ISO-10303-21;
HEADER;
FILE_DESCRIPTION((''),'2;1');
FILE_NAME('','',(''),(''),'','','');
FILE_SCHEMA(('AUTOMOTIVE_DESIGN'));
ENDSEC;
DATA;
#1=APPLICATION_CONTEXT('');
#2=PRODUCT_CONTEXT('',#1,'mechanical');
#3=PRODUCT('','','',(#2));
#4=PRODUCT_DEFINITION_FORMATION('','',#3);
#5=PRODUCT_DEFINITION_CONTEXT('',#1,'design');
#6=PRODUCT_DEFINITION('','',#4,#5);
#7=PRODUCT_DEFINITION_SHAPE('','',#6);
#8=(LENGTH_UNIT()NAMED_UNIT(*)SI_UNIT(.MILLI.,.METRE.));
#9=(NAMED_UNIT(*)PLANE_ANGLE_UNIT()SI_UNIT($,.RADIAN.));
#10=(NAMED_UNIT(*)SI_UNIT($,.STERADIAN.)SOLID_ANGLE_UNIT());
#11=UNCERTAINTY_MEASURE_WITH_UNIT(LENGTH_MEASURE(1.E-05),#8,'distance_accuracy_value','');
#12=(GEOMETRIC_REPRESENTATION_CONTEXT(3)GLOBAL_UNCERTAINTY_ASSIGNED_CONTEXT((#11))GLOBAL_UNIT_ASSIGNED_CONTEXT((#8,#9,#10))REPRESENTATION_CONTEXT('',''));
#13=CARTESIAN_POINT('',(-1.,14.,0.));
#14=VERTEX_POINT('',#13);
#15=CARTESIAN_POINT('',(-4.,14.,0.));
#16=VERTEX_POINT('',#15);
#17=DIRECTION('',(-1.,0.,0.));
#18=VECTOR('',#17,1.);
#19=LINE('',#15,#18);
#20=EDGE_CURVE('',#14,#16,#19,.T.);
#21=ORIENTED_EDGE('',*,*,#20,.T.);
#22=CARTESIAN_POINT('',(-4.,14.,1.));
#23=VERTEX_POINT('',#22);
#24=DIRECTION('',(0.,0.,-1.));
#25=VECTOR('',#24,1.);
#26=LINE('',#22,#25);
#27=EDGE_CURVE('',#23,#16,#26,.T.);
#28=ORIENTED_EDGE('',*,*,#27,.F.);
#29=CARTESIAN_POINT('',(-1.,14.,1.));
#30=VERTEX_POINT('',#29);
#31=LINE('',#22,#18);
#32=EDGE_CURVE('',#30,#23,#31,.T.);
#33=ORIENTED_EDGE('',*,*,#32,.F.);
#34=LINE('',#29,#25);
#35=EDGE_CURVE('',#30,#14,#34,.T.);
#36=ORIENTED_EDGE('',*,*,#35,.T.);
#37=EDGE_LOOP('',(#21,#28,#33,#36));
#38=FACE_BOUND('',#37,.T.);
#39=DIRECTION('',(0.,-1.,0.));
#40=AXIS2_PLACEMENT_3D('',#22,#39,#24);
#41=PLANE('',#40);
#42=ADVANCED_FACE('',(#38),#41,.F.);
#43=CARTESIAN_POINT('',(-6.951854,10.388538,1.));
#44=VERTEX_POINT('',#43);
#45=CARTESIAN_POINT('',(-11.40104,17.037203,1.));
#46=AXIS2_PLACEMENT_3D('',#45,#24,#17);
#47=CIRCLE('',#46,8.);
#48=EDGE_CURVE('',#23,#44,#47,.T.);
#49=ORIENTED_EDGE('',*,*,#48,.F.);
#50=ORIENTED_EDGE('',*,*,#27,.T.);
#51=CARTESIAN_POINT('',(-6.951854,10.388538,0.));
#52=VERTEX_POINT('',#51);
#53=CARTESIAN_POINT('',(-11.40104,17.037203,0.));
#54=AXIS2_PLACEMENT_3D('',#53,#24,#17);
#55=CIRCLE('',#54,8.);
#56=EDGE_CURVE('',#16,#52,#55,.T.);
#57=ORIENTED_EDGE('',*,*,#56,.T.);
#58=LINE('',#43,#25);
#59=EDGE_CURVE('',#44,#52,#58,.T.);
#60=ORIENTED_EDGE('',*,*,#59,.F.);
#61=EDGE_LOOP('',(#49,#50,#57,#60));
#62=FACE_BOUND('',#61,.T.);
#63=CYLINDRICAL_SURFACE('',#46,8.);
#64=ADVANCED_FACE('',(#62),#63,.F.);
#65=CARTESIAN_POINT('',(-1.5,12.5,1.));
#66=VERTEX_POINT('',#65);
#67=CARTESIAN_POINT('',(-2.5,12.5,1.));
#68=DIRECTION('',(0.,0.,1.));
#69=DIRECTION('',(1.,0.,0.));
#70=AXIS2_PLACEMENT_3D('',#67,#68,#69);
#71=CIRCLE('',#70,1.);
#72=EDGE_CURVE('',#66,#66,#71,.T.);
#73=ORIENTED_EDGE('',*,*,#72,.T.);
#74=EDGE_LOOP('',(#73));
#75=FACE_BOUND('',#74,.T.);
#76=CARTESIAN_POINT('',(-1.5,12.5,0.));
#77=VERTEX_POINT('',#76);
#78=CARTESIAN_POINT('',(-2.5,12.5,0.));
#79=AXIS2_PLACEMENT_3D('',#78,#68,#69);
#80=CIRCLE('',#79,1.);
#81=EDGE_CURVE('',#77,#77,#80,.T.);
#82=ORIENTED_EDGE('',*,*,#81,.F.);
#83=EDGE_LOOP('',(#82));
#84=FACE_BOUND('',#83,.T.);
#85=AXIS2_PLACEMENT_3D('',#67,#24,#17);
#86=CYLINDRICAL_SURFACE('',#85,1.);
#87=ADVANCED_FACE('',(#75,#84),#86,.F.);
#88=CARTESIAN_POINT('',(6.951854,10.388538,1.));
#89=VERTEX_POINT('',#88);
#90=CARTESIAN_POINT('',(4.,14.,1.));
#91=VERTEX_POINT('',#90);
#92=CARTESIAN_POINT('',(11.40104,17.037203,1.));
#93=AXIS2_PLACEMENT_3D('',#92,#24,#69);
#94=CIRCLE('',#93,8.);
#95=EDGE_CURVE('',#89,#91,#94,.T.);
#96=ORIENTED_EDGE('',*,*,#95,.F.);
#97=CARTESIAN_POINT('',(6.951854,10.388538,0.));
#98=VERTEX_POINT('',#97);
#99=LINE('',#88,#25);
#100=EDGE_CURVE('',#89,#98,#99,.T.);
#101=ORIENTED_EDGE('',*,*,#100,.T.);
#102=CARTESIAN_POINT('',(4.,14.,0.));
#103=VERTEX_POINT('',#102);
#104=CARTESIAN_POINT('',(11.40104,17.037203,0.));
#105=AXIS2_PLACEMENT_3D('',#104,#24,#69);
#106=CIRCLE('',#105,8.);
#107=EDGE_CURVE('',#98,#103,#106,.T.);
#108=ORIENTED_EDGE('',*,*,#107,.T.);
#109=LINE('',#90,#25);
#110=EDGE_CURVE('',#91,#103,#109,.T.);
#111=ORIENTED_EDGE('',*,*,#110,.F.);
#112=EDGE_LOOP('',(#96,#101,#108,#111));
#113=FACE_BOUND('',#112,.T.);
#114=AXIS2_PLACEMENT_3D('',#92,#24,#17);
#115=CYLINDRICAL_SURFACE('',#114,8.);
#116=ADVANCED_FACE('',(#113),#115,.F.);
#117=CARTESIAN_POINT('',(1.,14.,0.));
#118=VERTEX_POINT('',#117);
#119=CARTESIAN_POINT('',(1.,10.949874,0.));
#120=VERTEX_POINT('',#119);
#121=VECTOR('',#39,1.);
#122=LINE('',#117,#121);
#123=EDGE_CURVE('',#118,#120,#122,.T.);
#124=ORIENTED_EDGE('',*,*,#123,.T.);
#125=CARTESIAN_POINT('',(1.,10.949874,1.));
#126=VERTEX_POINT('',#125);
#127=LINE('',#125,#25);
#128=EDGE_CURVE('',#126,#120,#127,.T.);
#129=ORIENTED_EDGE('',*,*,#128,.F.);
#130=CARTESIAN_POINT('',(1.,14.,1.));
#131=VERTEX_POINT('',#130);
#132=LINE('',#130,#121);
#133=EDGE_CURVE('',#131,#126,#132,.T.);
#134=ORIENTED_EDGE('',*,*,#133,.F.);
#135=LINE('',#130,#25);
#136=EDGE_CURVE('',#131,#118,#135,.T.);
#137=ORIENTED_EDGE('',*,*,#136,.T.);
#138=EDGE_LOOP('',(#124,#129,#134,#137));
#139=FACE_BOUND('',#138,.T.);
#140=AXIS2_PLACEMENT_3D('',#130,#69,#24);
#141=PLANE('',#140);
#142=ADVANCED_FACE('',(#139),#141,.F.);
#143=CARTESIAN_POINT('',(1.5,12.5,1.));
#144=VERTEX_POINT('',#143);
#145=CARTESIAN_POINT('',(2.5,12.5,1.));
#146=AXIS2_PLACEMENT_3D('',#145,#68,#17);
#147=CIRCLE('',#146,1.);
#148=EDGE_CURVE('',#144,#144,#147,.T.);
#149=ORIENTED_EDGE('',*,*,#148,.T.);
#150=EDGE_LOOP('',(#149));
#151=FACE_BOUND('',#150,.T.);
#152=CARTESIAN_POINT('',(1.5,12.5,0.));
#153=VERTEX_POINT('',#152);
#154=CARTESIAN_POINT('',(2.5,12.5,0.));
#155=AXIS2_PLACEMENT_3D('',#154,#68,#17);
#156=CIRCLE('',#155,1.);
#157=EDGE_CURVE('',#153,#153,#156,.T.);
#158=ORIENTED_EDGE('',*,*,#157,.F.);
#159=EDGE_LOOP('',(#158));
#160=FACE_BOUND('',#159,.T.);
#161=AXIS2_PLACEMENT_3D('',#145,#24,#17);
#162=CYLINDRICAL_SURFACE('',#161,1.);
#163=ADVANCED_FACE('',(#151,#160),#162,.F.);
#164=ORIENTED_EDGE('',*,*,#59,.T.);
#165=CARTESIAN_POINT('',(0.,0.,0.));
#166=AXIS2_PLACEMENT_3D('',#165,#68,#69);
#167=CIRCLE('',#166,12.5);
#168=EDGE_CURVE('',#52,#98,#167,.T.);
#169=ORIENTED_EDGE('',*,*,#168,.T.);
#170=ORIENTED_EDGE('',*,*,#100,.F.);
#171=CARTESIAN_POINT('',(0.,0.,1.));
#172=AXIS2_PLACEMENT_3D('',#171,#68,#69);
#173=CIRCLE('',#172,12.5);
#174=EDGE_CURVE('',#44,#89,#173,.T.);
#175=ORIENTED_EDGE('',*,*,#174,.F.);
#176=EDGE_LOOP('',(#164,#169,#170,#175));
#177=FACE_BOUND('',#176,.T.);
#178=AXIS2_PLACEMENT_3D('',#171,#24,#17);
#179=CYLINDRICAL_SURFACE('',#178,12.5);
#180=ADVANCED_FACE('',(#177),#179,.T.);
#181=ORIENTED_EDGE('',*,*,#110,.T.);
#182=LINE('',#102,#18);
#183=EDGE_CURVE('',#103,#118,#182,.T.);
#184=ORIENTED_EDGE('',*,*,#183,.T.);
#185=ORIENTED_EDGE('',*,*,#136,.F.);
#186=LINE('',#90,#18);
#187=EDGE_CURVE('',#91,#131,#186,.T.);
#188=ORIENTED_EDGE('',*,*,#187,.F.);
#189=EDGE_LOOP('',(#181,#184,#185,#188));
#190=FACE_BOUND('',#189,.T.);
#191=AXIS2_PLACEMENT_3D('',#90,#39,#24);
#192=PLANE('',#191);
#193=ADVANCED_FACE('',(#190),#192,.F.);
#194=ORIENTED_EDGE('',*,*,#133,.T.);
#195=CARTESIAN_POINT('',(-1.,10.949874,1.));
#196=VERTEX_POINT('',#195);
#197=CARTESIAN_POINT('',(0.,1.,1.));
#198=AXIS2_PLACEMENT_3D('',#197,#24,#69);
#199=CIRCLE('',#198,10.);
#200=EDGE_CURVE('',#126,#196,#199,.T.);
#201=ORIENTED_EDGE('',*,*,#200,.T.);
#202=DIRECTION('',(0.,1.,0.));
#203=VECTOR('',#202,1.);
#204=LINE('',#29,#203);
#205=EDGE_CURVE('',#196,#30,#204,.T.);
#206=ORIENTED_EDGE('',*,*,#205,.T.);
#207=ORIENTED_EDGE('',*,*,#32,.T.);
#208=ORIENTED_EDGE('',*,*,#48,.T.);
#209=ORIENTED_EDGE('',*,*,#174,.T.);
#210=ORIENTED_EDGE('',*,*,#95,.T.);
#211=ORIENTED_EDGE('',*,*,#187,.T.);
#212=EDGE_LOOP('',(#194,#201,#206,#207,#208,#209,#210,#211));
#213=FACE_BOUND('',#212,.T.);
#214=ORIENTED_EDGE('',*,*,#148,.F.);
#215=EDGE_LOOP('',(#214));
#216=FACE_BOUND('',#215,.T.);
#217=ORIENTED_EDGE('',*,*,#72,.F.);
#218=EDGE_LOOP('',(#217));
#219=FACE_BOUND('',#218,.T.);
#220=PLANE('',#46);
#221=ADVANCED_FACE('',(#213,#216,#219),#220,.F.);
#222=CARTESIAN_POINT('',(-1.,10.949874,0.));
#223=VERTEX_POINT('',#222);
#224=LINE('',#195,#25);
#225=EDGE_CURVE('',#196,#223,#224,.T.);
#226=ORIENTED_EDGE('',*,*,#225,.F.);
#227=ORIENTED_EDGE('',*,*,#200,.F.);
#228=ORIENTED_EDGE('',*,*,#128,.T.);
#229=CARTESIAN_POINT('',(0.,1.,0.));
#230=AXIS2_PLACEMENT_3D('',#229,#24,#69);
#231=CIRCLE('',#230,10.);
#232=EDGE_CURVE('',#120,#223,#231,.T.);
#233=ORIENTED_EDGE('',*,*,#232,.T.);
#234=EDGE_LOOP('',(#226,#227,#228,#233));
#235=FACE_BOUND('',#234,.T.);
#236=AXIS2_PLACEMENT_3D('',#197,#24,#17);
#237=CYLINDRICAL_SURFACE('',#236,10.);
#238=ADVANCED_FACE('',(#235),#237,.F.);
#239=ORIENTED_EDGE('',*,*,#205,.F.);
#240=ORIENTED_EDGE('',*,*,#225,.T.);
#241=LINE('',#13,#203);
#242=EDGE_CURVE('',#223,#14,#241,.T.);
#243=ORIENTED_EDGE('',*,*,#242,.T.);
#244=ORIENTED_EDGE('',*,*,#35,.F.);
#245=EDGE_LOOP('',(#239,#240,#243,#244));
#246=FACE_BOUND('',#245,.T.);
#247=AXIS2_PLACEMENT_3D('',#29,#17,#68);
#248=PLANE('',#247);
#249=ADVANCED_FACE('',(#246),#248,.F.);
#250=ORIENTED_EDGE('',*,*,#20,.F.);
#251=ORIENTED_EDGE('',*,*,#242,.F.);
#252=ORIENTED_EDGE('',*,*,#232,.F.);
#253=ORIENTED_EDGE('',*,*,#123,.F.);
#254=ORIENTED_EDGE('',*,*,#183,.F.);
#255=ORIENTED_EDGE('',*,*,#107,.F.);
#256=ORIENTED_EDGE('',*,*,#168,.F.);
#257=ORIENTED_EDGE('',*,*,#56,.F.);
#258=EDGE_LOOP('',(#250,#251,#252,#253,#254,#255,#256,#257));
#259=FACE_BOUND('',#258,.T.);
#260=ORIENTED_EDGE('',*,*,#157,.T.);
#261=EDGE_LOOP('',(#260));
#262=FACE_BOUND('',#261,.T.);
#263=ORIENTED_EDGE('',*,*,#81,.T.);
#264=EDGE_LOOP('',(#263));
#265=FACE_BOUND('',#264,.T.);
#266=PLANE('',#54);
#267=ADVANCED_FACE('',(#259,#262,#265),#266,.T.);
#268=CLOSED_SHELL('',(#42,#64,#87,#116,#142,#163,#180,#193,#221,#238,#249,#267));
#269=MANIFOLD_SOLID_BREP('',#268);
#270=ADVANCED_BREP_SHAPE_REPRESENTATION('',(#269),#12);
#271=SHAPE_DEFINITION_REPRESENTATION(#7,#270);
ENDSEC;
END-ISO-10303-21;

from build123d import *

# Parameters (mm, degrees)
SKETCH1_R           = 1
BOSS_EXTRUDE1_DEPTH = 1


with BuildPart() as part:
    # Sketch1 → Boss-Extrude1 (new body)
    with BuildSketch(Plane.XY):
        with BuildLine():
            Line((-4, 14), (-1, 14))
            Line((-1, 14), (-1, 10.949874371))
            ThreePointArc((-1, 10.949874371), (0, -9), (1, 10.949874371))
            Line((1, 10.949874371), (1, 14))
            Line((1, 14), (4, 14))
            ThreePointArc((4, 14), (5.20687918, 11.974361009), (6.951853926, 10.388538251))
            ThreePointArc((6.951853926, 10.388538251), (0, -12.5), (-6.951853926, 10.388538251))
            ThreePointArc((-6.951853926, 10.388538251), (-5.20687918, 11.974361009), (-4, 14))
        make_face()
        with Locations((-2.5, 12.5)):
            Circle(SKETCH1_R, mode=Mode.SUBTRACT)
        with Locations(Location((2.5, 12.5, 0), (0, 0, 180))):
            Circle(SKETCH1_R, mode=Mode.SUBTRACT)
    extrude(amount=BOSS_EXTRUDE1_DEPTH)


solid = part.part
